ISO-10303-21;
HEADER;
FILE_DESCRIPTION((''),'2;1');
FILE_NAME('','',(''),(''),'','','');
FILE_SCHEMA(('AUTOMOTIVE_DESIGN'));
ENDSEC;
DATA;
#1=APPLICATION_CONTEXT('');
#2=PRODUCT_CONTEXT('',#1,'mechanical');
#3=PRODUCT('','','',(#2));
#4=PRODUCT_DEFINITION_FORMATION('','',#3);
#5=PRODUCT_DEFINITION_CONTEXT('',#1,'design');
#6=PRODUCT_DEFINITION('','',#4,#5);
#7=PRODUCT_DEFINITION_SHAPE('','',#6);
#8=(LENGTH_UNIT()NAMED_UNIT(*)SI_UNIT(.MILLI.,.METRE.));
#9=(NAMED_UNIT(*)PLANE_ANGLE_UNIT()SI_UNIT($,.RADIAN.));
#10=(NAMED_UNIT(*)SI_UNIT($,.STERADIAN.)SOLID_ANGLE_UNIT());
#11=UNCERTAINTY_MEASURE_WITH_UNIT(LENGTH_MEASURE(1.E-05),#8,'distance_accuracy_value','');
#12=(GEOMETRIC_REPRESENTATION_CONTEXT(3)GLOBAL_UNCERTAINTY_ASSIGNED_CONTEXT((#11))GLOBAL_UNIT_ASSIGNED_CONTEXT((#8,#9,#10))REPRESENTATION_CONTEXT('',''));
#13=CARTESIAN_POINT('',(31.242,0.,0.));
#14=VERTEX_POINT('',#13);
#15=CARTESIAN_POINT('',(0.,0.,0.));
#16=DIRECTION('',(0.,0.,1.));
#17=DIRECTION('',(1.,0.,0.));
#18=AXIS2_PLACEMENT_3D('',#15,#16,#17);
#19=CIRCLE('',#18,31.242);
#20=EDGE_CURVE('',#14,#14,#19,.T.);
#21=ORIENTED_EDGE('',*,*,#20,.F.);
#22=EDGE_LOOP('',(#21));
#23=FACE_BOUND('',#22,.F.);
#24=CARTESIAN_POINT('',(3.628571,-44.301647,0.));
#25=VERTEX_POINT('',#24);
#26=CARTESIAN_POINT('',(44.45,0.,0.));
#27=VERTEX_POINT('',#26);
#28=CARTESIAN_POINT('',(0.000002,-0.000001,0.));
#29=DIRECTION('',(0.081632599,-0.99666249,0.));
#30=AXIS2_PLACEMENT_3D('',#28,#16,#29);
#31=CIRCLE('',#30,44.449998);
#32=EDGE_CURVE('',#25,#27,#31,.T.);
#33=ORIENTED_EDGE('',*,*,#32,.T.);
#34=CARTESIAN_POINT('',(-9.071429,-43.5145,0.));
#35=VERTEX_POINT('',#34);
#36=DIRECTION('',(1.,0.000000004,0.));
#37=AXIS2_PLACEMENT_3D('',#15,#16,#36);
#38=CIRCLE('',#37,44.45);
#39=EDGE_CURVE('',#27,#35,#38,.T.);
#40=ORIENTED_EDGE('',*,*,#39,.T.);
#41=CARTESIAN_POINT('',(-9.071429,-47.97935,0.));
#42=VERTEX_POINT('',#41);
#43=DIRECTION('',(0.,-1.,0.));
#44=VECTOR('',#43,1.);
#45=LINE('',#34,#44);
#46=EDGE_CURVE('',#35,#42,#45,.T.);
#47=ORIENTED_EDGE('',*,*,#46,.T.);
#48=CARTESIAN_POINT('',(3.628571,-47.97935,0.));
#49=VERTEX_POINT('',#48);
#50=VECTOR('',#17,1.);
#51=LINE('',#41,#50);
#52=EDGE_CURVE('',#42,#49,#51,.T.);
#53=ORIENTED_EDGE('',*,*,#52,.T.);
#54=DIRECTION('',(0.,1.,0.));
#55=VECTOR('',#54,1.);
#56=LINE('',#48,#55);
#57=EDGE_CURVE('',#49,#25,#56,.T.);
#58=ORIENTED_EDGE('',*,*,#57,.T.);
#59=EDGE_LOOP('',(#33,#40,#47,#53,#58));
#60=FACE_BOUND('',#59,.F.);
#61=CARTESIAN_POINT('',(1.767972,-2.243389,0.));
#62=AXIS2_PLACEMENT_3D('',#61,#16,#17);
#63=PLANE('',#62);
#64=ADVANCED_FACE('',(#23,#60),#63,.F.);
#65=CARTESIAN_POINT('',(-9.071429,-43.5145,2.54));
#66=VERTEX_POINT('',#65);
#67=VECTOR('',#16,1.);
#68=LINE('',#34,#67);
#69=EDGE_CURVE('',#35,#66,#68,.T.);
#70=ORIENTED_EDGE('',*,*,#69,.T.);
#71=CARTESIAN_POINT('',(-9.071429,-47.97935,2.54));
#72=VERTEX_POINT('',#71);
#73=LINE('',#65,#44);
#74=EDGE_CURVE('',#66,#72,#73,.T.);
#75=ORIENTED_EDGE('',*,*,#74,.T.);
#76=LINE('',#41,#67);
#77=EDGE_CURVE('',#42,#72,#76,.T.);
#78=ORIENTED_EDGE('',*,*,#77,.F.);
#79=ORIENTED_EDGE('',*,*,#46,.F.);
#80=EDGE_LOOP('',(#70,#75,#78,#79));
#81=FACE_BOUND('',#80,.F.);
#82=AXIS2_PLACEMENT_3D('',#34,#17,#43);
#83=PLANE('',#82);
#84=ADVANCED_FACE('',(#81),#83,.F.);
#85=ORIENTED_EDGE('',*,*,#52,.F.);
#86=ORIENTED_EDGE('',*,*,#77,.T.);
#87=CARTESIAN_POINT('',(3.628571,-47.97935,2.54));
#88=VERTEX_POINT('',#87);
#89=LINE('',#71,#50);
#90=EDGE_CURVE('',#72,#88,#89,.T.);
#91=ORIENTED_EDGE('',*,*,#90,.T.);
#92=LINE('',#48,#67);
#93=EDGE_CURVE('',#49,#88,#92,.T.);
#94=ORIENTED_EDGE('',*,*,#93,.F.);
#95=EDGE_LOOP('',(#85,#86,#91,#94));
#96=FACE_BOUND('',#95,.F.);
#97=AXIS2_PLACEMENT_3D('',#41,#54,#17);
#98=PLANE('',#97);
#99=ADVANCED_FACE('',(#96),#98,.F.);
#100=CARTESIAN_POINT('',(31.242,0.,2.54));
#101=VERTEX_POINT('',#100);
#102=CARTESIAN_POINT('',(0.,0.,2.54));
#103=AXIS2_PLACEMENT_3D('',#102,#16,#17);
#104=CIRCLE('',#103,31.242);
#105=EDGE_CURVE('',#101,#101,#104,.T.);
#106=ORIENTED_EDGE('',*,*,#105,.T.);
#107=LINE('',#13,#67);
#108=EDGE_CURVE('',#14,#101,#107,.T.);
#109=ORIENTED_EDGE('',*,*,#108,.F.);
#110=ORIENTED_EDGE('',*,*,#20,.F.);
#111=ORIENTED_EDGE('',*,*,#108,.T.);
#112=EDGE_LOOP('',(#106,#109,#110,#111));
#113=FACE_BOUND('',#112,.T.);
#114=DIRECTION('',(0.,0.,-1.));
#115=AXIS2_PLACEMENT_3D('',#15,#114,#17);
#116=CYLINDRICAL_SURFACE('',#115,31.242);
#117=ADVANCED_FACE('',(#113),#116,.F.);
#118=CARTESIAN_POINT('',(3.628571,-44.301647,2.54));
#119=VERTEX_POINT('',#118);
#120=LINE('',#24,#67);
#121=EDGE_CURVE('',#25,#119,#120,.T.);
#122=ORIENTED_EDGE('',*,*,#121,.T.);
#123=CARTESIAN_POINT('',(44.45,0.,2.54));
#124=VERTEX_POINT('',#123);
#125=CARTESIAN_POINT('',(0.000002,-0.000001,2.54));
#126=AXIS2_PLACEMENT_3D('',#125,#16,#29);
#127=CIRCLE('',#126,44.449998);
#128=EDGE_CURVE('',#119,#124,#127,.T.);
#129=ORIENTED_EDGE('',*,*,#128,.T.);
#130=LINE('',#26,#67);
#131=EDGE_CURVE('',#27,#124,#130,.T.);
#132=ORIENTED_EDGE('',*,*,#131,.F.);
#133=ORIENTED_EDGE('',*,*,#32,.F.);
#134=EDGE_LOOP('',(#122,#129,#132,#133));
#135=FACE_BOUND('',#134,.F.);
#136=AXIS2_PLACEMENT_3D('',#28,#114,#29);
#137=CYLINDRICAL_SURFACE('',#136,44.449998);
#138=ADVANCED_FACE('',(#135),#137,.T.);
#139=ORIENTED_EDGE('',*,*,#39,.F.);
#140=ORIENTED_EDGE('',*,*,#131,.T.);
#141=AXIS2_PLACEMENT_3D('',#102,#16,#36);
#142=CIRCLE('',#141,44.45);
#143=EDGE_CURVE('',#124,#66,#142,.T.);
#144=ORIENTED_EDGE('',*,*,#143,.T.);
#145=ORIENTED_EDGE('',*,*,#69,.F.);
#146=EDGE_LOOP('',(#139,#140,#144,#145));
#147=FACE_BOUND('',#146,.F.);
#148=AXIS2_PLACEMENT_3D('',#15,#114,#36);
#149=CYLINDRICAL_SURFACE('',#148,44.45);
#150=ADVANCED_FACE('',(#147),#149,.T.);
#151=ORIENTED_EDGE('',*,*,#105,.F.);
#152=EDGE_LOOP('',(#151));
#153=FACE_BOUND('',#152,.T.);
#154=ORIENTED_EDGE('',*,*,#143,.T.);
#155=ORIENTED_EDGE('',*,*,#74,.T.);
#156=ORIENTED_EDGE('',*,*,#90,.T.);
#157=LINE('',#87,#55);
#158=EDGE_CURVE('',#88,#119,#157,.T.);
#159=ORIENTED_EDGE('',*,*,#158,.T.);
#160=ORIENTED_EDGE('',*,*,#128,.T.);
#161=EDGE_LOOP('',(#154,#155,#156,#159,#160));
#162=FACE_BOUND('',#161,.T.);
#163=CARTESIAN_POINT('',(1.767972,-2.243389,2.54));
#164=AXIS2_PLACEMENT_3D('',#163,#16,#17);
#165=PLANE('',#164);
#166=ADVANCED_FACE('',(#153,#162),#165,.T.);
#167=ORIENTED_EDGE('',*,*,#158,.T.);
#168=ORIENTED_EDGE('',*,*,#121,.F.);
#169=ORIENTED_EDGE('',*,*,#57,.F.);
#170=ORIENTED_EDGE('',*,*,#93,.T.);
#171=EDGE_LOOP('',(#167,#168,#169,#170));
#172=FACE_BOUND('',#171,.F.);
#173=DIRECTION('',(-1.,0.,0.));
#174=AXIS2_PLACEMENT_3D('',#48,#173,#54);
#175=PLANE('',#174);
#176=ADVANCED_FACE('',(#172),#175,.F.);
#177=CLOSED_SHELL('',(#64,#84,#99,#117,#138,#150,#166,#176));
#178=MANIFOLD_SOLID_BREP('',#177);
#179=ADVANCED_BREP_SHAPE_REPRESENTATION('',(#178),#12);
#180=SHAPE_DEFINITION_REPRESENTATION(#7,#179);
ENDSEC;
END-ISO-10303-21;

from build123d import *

# Parameters (mm, degrees)
F0_R     = 31.242
F1_DEPTH = 2.54


with BuildPart() as f1:
    # F0 (on Top) → F1 (new body)
    with BuildSketch(Plane.XY):
        with BuildLine():
            ThreePointArc((3.628571, -44.301647), (32.688626, -30.120695), (44.45, 0))
            ThreePointArc((44.45, 0), (-28.040841, 34.489328), (-9.071429, -43.5145))
            ThreePointArc((-9.071429, -43.5145), (-2.749741, -44.364867), (3.628571, -44.301647))
        make_face()
        Circle(F0_R, mode=Mode.SUBTRACT)
        with BuildLine():
            ThreePointArc((3.628571, -44.301647), (-2.749741, -44.364867), (-9.071429, -43.5145))
            Line((-9.071429, -43.5145), (-9.071429, -47.97935))
            Line((-9.071429, -47.97935), (3.628571, -47.97935))
            Line((3.628571, -47.97935), (3.628571, -44.301647))
        make_face()
    extrude(amount=F1_DEPTH)


solid = f1.part
